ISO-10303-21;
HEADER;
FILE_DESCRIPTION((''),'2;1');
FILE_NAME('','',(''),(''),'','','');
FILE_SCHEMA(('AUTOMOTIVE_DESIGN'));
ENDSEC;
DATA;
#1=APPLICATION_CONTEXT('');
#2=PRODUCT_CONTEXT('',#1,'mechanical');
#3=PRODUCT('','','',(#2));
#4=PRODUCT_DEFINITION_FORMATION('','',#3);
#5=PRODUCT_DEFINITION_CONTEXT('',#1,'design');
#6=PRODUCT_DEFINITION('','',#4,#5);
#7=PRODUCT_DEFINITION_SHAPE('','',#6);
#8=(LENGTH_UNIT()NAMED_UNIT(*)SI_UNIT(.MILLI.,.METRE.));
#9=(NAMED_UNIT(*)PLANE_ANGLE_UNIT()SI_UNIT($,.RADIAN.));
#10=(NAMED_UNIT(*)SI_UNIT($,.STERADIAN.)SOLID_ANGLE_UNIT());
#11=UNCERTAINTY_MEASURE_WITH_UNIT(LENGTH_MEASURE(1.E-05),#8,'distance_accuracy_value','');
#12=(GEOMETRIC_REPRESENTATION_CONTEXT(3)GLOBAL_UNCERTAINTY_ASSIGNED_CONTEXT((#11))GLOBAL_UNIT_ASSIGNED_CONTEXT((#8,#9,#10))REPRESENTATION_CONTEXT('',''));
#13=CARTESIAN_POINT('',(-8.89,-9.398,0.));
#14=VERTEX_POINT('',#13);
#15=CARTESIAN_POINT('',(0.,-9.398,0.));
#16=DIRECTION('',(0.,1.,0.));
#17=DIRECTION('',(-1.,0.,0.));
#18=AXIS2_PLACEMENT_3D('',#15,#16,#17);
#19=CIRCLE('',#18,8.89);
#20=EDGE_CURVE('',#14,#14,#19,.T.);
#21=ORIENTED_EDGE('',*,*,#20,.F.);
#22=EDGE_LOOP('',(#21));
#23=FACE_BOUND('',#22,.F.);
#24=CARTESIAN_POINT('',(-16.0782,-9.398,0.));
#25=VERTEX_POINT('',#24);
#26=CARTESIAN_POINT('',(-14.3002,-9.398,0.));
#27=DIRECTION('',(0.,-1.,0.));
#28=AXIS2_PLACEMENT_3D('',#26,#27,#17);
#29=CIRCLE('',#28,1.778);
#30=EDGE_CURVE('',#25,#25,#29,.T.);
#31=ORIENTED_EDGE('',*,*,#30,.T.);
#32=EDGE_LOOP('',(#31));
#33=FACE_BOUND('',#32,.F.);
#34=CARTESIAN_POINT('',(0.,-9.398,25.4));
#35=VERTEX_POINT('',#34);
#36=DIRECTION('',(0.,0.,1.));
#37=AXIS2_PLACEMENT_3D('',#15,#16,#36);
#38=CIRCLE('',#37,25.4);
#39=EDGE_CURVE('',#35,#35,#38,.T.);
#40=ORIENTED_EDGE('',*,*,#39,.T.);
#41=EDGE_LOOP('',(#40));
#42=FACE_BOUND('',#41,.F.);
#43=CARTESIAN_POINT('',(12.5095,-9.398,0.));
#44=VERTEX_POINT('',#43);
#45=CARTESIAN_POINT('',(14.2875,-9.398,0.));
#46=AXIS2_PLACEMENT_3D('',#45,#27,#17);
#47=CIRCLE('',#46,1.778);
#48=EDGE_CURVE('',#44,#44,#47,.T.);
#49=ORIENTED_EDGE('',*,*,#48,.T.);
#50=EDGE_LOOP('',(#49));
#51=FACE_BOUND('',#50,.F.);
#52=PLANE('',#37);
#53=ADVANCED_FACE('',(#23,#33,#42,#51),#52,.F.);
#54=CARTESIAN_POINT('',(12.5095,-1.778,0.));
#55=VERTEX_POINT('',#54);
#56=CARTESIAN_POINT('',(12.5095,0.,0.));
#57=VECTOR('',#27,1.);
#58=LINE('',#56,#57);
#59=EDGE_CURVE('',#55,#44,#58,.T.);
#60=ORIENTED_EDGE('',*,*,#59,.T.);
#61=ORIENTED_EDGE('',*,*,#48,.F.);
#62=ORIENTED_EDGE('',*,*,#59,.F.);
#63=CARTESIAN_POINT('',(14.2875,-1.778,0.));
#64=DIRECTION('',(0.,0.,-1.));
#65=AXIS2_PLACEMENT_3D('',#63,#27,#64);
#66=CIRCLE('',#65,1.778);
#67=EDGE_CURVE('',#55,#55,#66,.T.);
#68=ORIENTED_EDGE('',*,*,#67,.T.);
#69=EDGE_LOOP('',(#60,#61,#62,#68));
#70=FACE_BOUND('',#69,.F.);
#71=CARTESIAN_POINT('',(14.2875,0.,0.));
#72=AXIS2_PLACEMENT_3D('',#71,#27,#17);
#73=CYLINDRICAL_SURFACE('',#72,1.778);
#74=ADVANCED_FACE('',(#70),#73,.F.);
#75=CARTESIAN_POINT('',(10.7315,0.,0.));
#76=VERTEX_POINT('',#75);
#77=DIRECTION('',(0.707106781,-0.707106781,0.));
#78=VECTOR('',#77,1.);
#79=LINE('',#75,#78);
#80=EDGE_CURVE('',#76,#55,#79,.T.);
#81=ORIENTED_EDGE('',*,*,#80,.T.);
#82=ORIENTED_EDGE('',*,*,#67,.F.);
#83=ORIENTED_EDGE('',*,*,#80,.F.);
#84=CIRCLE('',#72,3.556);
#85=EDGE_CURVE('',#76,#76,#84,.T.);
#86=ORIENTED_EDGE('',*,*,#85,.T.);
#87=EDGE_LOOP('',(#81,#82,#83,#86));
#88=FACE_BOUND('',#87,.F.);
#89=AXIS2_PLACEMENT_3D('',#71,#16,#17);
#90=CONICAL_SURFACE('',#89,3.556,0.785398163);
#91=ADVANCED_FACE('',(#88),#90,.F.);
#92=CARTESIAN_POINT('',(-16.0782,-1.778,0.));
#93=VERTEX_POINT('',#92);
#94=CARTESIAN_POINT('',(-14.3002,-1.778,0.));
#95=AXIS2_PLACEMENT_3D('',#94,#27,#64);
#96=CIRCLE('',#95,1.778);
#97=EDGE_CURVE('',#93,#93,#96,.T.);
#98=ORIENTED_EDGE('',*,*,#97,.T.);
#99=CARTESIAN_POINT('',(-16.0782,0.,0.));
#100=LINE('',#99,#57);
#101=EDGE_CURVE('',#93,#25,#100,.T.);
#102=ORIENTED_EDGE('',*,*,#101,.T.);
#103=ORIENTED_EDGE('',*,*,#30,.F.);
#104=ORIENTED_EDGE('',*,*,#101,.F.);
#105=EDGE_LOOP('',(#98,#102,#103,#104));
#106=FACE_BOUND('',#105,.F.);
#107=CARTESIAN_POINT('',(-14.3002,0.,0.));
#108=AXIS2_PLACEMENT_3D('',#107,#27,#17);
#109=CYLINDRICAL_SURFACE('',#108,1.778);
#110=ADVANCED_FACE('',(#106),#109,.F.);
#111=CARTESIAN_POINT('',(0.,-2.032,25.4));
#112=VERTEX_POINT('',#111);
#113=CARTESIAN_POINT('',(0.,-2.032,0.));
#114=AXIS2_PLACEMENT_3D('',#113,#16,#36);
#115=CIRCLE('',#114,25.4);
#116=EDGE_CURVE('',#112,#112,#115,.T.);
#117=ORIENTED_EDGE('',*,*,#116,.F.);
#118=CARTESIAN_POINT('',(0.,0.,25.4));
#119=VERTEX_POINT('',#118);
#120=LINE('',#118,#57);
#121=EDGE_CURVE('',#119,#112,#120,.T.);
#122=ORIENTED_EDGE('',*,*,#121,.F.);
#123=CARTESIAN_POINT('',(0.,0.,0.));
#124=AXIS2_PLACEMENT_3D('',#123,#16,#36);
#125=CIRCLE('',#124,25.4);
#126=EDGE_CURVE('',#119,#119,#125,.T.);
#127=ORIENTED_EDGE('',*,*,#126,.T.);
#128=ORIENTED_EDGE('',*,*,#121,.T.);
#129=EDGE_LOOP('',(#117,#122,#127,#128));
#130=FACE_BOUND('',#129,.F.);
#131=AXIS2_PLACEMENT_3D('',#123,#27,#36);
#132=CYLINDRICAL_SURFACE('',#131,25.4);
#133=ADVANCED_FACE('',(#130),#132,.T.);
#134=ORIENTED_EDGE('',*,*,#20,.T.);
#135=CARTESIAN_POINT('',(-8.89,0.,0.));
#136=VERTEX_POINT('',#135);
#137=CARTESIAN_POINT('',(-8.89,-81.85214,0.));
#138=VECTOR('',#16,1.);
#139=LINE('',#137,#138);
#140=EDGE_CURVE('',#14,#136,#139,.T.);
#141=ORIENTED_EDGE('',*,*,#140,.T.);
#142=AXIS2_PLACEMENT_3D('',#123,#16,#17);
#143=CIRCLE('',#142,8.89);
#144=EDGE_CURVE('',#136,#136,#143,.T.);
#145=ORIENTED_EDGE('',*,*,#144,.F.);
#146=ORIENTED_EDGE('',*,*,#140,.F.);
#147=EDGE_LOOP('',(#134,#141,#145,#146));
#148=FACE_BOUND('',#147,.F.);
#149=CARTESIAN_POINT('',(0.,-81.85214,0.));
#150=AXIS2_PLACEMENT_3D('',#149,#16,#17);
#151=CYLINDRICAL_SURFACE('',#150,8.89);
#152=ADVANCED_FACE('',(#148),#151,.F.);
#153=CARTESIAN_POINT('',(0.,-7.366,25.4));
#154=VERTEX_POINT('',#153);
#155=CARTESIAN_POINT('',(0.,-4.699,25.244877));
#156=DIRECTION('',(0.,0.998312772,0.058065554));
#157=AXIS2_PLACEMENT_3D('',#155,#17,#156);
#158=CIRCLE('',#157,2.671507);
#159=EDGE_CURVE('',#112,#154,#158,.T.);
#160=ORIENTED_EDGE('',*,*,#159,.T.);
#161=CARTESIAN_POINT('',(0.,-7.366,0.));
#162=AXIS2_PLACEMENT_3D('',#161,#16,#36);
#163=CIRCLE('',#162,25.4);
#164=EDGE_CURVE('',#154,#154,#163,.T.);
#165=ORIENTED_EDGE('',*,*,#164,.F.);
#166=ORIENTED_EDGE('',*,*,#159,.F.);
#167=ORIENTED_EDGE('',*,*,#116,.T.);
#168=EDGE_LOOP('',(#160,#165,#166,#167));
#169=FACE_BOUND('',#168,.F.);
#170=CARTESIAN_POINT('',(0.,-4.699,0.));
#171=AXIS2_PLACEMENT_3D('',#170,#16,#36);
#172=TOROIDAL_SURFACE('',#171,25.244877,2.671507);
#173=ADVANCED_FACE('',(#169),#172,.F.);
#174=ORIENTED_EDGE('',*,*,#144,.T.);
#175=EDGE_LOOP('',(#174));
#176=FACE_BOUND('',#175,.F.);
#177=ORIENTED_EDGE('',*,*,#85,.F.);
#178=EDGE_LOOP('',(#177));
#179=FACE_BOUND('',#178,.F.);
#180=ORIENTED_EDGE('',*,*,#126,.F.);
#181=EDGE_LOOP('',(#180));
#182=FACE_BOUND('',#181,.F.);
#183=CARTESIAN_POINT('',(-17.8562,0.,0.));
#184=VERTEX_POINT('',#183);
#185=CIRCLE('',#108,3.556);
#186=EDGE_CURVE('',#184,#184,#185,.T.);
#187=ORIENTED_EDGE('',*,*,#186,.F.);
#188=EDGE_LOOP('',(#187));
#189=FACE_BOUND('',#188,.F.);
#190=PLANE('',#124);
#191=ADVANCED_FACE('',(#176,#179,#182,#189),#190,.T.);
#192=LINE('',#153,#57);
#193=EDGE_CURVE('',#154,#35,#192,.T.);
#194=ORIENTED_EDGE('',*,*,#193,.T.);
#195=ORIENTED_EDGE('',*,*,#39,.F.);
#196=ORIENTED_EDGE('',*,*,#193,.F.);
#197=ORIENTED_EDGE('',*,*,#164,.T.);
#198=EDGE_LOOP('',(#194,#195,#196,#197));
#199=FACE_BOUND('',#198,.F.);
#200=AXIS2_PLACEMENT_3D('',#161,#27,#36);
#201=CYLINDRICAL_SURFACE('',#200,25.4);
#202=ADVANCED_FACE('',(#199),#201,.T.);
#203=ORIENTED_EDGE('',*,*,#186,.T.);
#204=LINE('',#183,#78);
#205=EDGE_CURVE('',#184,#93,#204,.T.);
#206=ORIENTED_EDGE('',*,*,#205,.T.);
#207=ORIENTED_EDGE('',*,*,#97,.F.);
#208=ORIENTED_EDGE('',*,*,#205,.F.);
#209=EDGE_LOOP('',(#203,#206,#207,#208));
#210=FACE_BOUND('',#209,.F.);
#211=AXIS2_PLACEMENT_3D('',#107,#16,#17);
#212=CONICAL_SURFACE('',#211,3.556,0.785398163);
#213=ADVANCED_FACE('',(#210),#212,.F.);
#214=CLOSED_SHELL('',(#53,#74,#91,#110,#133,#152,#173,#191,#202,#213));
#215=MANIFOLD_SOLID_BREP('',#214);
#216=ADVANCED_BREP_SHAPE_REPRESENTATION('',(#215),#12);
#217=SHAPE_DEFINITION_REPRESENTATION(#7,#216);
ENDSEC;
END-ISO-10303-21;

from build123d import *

# Parameters (mm, degrees)
F3_D           = 3.556
F3_CSINK_D     = 7.112
F3_CSINK_ANGLE = 90
F5_D           = 17.78


with BuildPart() as f1:
    # F0 (on Right) → F1 (revolve)
    with BuildSketch(Plane.YZ):
        with BuildLine():
            ThreePointArc((-2.032, 25.4), (-4.699, 22.57337), (-7.366, 25.4))
            Line((-7.366, 25.4), (-9.398, 25.4))
            Line((-9.398, 25.4), (-9.398, 0))
            Line((-9.398, 0), (0, 0))
            Line((0, 0), (0, 25.4))
            Line((0, 25.4), (-2.032, 25.4))
        make_face()
    revolve(axis=Axis((0, -4.699, 0), (0, 1, 0)))

    # F3 (through all)
    with Locations(Plane(origin=(0, 0, 0), x_dir=(1, 0, 0), z_dir=(0, 1, 0))):
        with Locations((14.2875, 0), (-14.3002, 0)):
            CounterSinkHole(F3_D / 2, F3_CSINK_D / 2, counter_sink_angle=F3_CSINK_ANGLE)

    # F5 (through all)
    with Locations(Plane.XZ.offset(9.398)):
        with Locations((0, 0)):
            Hole(F5_D / 2)


solid = f1.part
